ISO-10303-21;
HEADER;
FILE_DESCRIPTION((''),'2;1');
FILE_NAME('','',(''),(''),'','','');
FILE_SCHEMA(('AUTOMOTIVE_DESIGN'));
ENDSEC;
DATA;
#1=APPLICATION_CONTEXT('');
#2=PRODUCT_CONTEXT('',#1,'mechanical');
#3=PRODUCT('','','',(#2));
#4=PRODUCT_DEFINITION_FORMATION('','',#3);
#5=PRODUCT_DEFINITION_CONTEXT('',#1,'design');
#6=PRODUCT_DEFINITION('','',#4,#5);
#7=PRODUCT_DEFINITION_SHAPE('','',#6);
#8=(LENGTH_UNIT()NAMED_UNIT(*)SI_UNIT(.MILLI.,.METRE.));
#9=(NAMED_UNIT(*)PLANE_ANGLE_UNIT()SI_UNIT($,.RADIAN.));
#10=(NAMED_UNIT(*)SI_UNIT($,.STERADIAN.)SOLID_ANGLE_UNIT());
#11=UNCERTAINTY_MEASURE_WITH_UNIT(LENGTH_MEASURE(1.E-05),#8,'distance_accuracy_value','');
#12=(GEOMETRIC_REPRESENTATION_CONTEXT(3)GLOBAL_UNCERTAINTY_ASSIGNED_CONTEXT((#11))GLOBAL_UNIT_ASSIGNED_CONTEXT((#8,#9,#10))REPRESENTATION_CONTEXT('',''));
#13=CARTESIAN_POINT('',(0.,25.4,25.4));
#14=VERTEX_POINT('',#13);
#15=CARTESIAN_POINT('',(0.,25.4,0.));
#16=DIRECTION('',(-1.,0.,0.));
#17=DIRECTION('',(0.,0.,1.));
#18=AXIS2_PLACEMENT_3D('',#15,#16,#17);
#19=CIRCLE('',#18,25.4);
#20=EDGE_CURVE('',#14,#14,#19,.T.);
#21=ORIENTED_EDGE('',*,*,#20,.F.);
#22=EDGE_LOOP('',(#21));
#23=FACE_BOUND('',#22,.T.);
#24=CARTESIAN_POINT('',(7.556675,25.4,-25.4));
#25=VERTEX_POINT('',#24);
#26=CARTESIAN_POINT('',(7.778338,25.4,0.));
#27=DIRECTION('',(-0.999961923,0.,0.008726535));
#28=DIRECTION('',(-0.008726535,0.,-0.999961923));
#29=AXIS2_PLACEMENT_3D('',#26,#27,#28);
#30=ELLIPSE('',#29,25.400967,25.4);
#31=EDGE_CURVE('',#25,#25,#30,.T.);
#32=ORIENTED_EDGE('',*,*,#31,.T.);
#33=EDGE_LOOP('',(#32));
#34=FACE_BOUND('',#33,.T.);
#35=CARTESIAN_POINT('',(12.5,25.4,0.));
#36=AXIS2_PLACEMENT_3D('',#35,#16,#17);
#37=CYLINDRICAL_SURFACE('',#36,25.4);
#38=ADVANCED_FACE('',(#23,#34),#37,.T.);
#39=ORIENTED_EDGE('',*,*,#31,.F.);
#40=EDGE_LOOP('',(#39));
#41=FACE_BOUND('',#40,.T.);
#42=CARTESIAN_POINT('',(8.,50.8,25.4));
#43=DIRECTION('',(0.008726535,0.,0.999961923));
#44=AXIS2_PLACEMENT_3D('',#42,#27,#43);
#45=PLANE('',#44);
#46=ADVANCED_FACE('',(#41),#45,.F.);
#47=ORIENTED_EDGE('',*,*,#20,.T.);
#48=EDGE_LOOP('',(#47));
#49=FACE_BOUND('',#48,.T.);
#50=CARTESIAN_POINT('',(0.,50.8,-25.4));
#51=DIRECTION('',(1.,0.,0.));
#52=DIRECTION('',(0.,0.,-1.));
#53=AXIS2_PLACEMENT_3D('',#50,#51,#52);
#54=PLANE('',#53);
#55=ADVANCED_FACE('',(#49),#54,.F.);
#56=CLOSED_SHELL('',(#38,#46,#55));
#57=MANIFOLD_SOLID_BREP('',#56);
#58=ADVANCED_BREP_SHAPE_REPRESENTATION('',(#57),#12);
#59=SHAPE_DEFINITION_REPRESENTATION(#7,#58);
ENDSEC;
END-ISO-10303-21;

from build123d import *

# Parameters (mm, degrees)
EXTRUDE_1_DEPTH     = 50.8
CUT_EXTRUDE_2_DEPTH = 12.5


with BuildPart() as part:
    # 草图1 → 凸台-拉伸1 (new body)
    with BuildSketch(Plane(origin=(0, 0, 0), x_dir=(1, 0, 0), z_dir=(0, 1, 0))):
        Polygon((0, 25.4), (0, -25.4), (8, -25.4), (7.556675116, 25.4), align=None)
    extrude(amount=EXTRUDE_1_DEPTH)

    # 草图5 → 切除-拉伸2 (cut)
    with BuildSketch(Plane.ZY):
        with BuildLine():
            Line((-25.4, 50.8), (-25.4, 25.4))
            ThreePointArc((-25.4, 25.4), (-17.960512233, 43.360512251), (2.6e-08, 50.8))
            Line((2.6e-08, 50.8), (-25.4, 50.8))
        make_face()
        with BuildLine():
            Line((-25.4, 25.4), (-25.4, 0))
            Line((-25.4, 0), (-1.8e-08, 0))
            ThreePointArc((-1.8e-08, 0), (-17.960512249, 7.439487764), (-25.4, 25.4))
        make_face()
        with BuildLine():
            ThreePointArc((25.4, 25.4), (17.960512236, 7.439487751), (-1.8e-08, 0))
            Line((-1.8e-08, 0), (25.4, 0))
            Line((25.4, 0), (25.4, 25.4))
        make_face()
        with BuildLine():
            ThreePointArc((2.6e-08, 50.8), (17.960512251, 43.360512233), (25.4, 25.4))
            Line((25.4, 25.4), (25.4, 50.8))
            Line((25.4, 50.8), (2.6e-08, 50.8))
        make_face()
    extrude(amount=-CUT_EXTRUDE_2_DEPTH, mode=Mode.SUBTRACT)


solid = part.part
